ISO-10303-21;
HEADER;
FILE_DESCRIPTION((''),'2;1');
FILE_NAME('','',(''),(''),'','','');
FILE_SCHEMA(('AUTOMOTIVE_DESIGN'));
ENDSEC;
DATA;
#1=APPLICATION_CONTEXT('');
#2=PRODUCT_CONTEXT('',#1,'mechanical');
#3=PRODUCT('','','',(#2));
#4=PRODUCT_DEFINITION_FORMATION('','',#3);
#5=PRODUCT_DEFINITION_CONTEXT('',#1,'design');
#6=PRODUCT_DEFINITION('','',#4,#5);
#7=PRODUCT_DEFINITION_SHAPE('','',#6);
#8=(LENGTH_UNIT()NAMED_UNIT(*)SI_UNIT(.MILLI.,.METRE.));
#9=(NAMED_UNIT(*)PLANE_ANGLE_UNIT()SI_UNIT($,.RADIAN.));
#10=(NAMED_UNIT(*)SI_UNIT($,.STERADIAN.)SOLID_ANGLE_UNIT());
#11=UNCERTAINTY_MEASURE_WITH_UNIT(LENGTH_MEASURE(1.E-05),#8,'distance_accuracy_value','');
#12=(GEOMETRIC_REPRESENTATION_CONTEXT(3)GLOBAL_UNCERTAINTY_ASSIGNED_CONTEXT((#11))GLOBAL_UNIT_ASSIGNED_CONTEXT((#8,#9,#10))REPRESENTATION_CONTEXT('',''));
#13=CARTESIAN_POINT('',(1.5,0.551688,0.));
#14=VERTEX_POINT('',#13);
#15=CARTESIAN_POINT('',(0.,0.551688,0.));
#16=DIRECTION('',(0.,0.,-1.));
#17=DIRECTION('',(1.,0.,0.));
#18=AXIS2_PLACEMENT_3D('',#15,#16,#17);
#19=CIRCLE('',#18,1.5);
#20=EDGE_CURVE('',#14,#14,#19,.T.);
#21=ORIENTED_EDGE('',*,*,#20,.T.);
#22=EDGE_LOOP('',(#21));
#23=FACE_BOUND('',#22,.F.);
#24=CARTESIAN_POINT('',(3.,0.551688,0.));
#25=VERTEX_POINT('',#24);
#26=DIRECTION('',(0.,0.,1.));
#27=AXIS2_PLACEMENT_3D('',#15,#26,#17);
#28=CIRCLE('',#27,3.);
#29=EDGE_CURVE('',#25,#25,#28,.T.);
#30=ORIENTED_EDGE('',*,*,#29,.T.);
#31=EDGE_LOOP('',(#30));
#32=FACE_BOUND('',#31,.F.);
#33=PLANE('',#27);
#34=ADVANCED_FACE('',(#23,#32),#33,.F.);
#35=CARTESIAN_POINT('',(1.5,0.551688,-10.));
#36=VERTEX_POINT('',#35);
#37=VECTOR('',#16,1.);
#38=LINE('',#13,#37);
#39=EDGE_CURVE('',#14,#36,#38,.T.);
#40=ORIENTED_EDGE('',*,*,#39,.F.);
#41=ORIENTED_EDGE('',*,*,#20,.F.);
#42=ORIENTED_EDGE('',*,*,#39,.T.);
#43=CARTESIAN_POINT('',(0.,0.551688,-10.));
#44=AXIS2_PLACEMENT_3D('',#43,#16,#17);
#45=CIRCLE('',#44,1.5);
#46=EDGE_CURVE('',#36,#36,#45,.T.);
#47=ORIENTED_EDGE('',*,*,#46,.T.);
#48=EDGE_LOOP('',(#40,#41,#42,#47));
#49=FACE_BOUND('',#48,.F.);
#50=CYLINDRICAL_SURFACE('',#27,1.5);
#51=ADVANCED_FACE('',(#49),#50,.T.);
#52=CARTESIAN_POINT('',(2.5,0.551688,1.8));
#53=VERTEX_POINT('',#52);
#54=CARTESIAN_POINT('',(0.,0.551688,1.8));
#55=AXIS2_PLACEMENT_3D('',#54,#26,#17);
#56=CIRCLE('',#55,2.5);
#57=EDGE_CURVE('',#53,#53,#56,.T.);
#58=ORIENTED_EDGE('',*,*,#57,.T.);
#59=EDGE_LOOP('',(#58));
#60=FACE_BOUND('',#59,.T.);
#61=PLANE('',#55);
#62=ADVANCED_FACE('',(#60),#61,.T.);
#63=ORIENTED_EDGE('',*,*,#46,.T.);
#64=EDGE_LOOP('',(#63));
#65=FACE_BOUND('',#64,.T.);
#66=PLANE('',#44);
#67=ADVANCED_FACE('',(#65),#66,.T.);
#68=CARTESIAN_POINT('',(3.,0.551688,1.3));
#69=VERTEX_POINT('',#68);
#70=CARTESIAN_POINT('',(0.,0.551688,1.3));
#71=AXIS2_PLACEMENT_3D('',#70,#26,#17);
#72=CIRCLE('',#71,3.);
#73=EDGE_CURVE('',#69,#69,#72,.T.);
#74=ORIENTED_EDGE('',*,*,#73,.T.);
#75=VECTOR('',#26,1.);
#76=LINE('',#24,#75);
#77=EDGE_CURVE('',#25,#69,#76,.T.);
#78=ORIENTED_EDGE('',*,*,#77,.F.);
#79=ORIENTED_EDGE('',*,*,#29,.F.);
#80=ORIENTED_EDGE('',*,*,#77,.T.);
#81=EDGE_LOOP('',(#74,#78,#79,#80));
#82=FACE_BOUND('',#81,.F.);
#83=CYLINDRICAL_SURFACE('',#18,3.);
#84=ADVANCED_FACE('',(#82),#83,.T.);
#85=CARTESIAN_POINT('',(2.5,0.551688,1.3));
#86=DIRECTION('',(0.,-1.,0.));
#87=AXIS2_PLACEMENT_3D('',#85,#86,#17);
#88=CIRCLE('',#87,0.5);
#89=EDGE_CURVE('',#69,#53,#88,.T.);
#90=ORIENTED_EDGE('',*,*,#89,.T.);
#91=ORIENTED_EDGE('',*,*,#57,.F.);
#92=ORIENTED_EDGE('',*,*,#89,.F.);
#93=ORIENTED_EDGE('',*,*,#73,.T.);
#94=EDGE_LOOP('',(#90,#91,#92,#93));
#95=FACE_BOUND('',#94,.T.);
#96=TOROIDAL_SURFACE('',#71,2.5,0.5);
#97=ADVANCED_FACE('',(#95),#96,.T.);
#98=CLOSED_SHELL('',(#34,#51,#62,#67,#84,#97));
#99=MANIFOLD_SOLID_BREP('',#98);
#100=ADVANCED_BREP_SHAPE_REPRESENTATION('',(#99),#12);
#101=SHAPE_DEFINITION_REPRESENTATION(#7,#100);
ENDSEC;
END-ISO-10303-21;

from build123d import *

# Parameters (mm, degrees)
F0_R     = 3
F1_DEPTH = 1.8
F2_R     = 1.5
F3_DEPTH = 10
F4_R     = 0.5


with BuildPart() as f1:
    # F0 (on Top) → F1 (new body)
    with BuildSketch(Plane.XY):
        with Locations((0, 0.551688)):
            Circle(F0_R)
    extrude(amount=F1_DEPTH)

    # F2 (on face) → F3 (join)
    with BuildSketch(Plane(origin=(0, 0, 0), x_dir=(1, 0, 0), z_dir=(0, 0, -1))):
        with Locations((0, -0.551688)):
            Circle(F2_R)
    extrude(amount=F3_DEPTH)

    # F4
    f4_edges = [f1.edges().sort_by_distance(p)[0] for p in [
        (-3, 0.551688, 1.8),
    ]]
    fillet(f4_edges, radius=F4_R)


solid = f1.part
